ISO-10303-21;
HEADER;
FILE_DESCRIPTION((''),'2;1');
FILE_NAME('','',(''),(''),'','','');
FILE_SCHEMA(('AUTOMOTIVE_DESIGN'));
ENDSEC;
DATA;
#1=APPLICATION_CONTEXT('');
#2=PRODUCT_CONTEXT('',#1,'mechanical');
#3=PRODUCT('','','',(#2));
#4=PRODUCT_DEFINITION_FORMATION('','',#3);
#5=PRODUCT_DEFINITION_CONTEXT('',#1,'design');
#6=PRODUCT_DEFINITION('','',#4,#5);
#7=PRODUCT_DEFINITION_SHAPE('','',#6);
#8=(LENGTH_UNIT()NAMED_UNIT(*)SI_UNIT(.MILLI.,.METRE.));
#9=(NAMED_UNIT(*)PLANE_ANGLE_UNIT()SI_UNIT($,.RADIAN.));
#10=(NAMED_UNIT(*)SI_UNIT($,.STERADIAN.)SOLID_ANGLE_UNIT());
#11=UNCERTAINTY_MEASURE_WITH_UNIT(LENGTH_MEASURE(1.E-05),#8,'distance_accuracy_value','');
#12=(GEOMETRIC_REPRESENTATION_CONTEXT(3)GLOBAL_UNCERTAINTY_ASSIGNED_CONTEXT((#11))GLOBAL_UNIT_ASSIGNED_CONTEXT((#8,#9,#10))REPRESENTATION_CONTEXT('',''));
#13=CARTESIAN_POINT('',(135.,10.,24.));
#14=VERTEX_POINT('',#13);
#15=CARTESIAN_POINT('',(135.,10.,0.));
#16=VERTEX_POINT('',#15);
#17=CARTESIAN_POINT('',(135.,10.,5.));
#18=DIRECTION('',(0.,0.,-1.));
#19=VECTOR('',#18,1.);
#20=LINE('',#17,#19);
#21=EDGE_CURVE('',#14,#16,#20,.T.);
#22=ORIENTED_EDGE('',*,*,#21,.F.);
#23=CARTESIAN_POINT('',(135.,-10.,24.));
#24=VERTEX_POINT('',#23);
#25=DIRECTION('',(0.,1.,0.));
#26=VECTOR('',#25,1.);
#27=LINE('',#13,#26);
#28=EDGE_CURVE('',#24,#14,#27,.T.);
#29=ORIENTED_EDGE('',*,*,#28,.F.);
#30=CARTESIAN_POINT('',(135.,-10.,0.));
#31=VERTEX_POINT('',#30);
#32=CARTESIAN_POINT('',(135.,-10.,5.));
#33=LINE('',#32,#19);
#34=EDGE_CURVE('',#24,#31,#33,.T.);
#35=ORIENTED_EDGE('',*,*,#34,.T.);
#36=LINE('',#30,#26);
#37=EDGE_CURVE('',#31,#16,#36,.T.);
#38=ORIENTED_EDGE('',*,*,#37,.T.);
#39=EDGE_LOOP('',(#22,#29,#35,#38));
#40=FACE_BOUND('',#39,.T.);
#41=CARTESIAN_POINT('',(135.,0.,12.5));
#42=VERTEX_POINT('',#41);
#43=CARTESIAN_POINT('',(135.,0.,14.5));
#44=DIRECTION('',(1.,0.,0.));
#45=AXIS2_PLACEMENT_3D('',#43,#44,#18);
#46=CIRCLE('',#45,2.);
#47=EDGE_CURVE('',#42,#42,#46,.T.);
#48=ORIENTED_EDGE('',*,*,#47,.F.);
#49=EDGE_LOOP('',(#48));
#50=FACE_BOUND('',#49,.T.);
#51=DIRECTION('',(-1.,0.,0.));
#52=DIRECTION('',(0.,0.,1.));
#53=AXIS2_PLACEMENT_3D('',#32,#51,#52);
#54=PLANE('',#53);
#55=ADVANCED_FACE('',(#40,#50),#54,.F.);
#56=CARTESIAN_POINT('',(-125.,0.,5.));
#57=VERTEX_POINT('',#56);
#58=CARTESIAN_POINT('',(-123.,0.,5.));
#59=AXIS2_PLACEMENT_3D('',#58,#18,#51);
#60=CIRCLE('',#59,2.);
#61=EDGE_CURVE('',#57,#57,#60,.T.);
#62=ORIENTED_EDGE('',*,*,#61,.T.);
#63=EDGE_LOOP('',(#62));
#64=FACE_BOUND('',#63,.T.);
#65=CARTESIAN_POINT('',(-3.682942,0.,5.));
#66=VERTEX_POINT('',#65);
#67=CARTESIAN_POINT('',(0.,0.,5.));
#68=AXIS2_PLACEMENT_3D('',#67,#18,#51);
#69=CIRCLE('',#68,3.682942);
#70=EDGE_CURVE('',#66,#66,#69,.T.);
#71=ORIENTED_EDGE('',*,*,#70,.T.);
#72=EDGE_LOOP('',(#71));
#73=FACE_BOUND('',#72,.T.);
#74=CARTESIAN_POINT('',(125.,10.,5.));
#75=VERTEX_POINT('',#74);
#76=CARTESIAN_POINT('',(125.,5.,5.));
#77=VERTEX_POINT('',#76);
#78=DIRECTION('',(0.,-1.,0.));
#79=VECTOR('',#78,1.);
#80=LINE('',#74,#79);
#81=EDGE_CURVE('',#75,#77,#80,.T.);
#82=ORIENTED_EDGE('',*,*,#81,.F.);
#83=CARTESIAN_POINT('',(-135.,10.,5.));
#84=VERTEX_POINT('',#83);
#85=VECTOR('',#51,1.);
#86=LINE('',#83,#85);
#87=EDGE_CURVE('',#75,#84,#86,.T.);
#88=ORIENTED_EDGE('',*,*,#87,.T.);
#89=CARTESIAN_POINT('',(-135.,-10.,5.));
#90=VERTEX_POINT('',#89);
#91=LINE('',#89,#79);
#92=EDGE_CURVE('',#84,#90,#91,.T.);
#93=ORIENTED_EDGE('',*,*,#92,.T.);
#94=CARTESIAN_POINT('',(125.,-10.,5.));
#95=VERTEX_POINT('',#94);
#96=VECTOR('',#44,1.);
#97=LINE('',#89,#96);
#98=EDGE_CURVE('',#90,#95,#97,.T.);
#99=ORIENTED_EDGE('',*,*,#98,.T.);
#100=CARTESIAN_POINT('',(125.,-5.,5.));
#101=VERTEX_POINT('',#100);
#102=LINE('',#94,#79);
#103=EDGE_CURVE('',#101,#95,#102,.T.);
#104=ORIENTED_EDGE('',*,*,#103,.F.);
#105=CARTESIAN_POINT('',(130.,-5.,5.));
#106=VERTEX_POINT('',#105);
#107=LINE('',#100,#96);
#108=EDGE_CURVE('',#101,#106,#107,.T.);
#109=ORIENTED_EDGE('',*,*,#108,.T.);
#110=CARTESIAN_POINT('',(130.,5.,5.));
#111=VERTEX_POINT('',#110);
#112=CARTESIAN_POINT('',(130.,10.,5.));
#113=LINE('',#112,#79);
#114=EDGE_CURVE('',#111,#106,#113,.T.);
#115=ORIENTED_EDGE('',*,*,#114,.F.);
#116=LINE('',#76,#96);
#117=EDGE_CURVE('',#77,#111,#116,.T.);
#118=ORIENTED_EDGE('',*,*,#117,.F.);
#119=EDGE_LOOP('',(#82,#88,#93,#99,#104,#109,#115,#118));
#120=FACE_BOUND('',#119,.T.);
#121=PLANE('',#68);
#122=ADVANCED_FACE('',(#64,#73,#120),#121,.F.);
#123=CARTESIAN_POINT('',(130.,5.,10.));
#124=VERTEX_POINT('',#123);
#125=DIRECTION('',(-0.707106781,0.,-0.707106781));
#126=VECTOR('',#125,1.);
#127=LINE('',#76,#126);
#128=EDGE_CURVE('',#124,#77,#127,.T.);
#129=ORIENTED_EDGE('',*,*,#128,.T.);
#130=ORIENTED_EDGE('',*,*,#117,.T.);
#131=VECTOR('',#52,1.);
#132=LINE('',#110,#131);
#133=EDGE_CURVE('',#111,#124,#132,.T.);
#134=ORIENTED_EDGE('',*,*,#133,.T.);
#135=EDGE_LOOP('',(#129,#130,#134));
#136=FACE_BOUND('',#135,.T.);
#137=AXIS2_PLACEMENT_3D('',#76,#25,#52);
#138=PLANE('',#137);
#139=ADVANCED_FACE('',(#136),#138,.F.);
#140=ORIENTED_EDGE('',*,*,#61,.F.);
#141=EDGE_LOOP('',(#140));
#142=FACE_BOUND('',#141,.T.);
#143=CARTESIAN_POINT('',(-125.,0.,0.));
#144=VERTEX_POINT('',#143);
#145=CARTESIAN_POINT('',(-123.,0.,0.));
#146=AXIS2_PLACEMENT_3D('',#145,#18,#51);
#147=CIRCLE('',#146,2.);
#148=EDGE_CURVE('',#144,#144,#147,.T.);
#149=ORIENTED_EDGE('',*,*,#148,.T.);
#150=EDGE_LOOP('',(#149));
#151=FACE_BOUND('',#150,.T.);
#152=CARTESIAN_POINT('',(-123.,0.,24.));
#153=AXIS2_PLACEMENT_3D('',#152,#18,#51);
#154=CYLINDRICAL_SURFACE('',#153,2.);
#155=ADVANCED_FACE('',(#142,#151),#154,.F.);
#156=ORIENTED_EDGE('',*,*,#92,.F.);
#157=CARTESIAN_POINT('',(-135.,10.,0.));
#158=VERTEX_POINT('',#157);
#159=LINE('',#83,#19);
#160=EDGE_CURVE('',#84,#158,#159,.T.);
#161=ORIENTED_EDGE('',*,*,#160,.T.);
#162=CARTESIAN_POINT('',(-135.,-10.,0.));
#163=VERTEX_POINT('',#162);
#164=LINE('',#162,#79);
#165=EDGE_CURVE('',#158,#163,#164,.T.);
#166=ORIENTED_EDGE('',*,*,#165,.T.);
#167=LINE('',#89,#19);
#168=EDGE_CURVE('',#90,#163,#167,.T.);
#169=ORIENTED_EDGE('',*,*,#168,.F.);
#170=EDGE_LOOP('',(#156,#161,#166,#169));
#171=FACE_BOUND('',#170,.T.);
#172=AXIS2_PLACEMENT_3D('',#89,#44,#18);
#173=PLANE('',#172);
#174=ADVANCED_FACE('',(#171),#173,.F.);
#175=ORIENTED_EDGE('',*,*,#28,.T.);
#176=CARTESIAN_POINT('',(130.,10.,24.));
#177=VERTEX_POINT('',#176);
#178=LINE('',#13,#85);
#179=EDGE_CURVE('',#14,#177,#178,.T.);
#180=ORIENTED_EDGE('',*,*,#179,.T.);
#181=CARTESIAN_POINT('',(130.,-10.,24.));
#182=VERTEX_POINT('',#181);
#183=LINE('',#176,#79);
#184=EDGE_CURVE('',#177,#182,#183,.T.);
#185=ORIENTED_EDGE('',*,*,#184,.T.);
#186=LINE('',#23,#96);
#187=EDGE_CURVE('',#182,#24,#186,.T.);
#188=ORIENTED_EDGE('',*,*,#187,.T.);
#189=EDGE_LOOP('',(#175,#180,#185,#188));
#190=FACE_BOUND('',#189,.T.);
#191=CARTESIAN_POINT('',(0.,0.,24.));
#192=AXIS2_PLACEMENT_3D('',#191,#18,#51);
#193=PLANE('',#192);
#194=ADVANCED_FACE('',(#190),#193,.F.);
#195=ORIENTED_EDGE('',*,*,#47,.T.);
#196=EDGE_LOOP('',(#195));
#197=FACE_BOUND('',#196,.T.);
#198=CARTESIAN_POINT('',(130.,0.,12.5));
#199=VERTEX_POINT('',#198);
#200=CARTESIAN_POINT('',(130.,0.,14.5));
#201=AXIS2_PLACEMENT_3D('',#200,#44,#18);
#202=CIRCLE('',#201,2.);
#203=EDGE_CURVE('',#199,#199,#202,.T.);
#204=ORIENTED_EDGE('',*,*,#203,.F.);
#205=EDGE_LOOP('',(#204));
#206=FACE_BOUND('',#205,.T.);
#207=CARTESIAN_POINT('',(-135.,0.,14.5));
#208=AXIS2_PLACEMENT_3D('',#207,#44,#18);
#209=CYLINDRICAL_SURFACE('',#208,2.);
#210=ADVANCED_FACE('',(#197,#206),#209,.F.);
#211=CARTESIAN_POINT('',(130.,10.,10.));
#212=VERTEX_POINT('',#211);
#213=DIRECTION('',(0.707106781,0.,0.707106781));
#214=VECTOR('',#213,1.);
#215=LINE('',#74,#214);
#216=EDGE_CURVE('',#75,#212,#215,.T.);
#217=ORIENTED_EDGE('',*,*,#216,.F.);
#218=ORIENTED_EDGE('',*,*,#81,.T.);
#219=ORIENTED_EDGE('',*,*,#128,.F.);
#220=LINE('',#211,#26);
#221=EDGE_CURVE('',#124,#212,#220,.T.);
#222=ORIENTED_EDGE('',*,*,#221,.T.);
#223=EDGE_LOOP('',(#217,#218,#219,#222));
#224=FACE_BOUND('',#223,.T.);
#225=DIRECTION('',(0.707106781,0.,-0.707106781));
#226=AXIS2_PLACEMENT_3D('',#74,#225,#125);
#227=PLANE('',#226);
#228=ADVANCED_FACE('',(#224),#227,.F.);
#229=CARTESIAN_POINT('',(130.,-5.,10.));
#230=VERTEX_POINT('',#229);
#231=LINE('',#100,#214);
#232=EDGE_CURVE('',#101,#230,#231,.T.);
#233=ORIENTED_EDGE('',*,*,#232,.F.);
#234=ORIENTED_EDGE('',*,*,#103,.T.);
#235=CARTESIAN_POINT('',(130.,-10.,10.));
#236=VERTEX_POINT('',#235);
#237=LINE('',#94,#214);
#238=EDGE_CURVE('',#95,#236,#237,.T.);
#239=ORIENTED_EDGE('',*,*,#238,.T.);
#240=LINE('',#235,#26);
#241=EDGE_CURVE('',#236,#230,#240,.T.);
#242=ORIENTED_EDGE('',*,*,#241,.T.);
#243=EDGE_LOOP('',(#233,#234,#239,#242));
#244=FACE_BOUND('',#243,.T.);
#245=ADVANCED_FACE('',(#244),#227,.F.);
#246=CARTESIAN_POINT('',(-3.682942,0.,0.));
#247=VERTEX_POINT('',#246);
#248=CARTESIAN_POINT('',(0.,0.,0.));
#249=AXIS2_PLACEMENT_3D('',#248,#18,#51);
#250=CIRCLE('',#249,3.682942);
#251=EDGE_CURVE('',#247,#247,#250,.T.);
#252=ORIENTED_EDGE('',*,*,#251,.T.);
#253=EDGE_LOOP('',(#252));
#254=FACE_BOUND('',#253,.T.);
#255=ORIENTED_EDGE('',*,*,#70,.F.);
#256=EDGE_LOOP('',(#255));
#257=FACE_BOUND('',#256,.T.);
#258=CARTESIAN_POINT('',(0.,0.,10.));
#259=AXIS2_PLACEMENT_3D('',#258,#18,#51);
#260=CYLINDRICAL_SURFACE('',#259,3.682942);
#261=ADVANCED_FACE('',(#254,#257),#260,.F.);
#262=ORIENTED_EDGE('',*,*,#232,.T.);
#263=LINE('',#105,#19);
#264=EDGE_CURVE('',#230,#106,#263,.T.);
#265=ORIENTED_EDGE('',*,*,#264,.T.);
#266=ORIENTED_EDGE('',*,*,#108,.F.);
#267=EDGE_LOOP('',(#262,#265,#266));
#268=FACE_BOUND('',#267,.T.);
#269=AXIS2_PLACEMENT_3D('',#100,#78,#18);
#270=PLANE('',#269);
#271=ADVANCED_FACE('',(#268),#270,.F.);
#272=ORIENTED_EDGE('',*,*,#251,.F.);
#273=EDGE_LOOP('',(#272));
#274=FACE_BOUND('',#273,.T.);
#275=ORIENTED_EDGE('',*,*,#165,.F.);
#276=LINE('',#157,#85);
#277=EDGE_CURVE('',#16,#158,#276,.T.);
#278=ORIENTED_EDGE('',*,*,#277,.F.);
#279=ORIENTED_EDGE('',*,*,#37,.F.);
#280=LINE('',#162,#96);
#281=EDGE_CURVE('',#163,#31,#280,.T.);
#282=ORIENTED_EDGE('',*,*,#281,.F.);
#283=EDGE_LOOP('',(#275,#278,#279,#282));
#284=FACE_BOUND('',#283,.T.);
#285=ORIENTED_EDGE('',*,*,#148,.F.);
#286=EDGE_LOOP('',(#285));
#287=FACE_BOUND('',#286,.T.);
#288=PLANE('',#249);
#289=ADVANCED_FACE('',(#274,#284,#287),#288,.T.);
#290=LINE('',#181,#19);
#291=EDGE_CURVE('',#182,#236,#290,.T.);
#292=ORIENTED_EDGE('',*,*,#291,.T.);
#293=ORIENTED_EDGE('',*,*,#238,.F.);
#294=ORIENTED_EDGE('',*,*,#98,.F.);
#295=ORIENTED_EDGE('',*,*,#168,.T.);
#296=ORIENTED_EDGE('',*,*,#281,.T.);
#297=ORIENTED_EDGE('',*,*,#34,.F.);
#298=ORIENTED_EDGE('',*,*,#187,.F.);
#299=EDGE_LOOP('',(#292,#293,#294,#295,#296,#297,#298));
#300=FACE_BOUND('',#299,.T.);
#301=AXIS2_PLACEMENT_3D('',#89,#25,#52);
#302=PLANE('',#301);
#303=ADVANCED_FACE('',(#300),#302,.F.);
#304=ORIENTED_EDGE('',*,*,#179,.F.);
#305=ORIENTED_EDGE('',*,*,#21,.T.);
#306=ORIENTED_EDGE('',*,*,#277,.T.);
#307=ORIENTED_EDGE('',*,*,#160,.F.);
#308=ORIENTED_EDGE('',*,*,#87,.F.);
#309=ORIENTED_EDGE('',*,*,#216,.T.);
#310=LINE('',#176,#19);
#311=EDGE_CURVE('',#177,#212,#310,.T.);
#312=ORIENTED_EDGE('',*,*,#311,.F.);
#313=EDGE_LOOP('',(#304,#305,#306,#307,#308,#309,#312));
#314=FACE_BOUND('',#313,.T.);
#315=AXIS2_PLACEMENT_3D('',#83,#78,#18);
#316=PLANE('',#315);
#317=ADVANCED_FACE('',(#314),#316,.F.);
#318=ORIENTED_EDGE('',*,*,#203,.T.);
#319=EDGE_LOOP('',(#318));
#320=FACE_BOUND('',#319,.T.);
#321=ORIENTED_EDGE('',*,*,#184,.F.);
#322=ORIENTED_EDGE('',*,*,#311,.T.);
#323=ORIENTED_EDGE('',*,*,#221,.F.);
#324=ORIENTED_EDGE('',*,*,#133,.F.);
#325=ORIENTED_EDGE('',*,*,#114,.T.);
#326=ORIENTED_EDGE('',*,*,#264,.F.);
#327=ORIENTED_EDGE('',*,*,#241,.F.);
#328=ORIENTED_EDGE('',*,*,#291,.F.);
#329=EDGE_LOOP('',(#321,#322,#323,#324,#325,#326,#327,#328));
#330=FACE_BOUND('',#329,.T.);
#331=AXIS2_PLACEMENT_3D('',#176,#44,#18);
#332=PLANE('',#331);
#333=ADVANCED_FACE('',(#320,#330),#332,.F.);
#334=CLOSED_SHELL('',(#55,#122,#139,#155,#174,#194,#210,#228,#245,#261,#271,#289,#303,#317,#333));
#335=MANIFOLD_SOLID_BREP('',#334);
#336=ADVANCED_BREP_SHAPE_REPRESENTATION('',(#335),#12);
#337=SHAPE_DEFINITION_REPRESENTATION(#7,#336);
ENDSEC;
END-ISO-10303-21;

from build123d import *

# Parameters (mm, degrees)
SKETCH1_W           = 270
SKETCH1_H           = 20
BOSS_EXTRUDE1_DEPTH = 5
SKETCH2_W           = 5
SKETCH2_H           = 20
BOSS_EXTRUDE2_DEPTH = 19
SKETCH3_R           = 2
CUT_EXTRUDE1_DEPTH  = 272.248963132
SKETCH4_W           = 5
SKETCH4_H           = 5
BOSS_EXTRUDE3_DEPTH = 5
CUT_EXTRUDE2_DEPTH  = 139.567672998
SKETCH6_R           = 2
CUT_EXTRUDE3_DEPTH  = 138.480907765
SKETCH7_R           = 3.68294157
CUT_EXTRUDE4_DEPTH  = 10


with BuildPart() as part:
    # Sketch1 → Boss-Extrude1 (new body)
    with BuildSketch(Plane.XY):
        Rectangle(SKETCH1_W, SKETCH1_H)
    extrude(amount=BOSS_EXTRUDE1_DEPTH)

    # Sketch2 → Boss-Extrude2 (add)
    with BuildSketch(Plane.XY.offset(5)):
        with Locations((132.5, 0)):
            Rectangle(SKETCH2_W, SKETCH2_H)
    extrude(amount=BOSS_EXTRUDE2_DEPTH)

    # Sketch3 → Cut-Extrude1 (cut, through all)
    with BuildSketch(Plane(origin=(135, 0, 0), x_dir=(0, 0, -1), z_dir=(1, 0, 0))):
        with Locations((-14.5, 0)):
            Circle(SKETCH3_R)
    extrude(amount=-CUT_EXTRUDE1_DEPTH, mode=Mode.SUBTRACT)

    # Sketch4 → Boss-Extrude3 (add)
    with BuildSketch(Plane.ZY.offset(-130)):
        with Locations((7.5, -7.5)):
            Rectangle(SKETCH4_W, SKETCH4_H)
        with Locations((7.5, 7.5)):
            Rectangle(SKETCH4_W, SKETCH4_H)
    extrude(amount=BOSS_EXTRUDE3_DEPTH)

    # Sketch5 → Cut-Extrude2 (cut, through all)
    with BuildSketch(Plane.XZ.offset(10)):
        Polygon((125, 5), (130, 10), (125, 10), align=None)
    extrude(amount=-CUT_EXTRUDE2_DEPTH, mode=Mode.SUBTRACT)

    # Sketch6 → Cut-Extrude3 (cut, through all)
    with BuildSketch(Plane(origin=(0, 0, 0), x_dir=(-1, 0, 0), z_dir=(0, 0, -1))):
        with Locations((123, 0)):
            Circle(SKETCH6_R)
    extrude(amount=-CUT_EXTRUDE3_DEPTH, mode=Mode.SUBTRACT)

    # Sketch7 → Cut-Extrude4 (cut)
    with BuildSketch(Plane(origin=(0, 0, 0), x_dir=(-1, 0, 0), z_dir=(0, 0, -1))):
        Circle(SKETCH7_R)
    extrude(amount=-CUT_EXTRUDE4_DEPTH, mode=Mode.SUBTRACT)


solid = part.part
